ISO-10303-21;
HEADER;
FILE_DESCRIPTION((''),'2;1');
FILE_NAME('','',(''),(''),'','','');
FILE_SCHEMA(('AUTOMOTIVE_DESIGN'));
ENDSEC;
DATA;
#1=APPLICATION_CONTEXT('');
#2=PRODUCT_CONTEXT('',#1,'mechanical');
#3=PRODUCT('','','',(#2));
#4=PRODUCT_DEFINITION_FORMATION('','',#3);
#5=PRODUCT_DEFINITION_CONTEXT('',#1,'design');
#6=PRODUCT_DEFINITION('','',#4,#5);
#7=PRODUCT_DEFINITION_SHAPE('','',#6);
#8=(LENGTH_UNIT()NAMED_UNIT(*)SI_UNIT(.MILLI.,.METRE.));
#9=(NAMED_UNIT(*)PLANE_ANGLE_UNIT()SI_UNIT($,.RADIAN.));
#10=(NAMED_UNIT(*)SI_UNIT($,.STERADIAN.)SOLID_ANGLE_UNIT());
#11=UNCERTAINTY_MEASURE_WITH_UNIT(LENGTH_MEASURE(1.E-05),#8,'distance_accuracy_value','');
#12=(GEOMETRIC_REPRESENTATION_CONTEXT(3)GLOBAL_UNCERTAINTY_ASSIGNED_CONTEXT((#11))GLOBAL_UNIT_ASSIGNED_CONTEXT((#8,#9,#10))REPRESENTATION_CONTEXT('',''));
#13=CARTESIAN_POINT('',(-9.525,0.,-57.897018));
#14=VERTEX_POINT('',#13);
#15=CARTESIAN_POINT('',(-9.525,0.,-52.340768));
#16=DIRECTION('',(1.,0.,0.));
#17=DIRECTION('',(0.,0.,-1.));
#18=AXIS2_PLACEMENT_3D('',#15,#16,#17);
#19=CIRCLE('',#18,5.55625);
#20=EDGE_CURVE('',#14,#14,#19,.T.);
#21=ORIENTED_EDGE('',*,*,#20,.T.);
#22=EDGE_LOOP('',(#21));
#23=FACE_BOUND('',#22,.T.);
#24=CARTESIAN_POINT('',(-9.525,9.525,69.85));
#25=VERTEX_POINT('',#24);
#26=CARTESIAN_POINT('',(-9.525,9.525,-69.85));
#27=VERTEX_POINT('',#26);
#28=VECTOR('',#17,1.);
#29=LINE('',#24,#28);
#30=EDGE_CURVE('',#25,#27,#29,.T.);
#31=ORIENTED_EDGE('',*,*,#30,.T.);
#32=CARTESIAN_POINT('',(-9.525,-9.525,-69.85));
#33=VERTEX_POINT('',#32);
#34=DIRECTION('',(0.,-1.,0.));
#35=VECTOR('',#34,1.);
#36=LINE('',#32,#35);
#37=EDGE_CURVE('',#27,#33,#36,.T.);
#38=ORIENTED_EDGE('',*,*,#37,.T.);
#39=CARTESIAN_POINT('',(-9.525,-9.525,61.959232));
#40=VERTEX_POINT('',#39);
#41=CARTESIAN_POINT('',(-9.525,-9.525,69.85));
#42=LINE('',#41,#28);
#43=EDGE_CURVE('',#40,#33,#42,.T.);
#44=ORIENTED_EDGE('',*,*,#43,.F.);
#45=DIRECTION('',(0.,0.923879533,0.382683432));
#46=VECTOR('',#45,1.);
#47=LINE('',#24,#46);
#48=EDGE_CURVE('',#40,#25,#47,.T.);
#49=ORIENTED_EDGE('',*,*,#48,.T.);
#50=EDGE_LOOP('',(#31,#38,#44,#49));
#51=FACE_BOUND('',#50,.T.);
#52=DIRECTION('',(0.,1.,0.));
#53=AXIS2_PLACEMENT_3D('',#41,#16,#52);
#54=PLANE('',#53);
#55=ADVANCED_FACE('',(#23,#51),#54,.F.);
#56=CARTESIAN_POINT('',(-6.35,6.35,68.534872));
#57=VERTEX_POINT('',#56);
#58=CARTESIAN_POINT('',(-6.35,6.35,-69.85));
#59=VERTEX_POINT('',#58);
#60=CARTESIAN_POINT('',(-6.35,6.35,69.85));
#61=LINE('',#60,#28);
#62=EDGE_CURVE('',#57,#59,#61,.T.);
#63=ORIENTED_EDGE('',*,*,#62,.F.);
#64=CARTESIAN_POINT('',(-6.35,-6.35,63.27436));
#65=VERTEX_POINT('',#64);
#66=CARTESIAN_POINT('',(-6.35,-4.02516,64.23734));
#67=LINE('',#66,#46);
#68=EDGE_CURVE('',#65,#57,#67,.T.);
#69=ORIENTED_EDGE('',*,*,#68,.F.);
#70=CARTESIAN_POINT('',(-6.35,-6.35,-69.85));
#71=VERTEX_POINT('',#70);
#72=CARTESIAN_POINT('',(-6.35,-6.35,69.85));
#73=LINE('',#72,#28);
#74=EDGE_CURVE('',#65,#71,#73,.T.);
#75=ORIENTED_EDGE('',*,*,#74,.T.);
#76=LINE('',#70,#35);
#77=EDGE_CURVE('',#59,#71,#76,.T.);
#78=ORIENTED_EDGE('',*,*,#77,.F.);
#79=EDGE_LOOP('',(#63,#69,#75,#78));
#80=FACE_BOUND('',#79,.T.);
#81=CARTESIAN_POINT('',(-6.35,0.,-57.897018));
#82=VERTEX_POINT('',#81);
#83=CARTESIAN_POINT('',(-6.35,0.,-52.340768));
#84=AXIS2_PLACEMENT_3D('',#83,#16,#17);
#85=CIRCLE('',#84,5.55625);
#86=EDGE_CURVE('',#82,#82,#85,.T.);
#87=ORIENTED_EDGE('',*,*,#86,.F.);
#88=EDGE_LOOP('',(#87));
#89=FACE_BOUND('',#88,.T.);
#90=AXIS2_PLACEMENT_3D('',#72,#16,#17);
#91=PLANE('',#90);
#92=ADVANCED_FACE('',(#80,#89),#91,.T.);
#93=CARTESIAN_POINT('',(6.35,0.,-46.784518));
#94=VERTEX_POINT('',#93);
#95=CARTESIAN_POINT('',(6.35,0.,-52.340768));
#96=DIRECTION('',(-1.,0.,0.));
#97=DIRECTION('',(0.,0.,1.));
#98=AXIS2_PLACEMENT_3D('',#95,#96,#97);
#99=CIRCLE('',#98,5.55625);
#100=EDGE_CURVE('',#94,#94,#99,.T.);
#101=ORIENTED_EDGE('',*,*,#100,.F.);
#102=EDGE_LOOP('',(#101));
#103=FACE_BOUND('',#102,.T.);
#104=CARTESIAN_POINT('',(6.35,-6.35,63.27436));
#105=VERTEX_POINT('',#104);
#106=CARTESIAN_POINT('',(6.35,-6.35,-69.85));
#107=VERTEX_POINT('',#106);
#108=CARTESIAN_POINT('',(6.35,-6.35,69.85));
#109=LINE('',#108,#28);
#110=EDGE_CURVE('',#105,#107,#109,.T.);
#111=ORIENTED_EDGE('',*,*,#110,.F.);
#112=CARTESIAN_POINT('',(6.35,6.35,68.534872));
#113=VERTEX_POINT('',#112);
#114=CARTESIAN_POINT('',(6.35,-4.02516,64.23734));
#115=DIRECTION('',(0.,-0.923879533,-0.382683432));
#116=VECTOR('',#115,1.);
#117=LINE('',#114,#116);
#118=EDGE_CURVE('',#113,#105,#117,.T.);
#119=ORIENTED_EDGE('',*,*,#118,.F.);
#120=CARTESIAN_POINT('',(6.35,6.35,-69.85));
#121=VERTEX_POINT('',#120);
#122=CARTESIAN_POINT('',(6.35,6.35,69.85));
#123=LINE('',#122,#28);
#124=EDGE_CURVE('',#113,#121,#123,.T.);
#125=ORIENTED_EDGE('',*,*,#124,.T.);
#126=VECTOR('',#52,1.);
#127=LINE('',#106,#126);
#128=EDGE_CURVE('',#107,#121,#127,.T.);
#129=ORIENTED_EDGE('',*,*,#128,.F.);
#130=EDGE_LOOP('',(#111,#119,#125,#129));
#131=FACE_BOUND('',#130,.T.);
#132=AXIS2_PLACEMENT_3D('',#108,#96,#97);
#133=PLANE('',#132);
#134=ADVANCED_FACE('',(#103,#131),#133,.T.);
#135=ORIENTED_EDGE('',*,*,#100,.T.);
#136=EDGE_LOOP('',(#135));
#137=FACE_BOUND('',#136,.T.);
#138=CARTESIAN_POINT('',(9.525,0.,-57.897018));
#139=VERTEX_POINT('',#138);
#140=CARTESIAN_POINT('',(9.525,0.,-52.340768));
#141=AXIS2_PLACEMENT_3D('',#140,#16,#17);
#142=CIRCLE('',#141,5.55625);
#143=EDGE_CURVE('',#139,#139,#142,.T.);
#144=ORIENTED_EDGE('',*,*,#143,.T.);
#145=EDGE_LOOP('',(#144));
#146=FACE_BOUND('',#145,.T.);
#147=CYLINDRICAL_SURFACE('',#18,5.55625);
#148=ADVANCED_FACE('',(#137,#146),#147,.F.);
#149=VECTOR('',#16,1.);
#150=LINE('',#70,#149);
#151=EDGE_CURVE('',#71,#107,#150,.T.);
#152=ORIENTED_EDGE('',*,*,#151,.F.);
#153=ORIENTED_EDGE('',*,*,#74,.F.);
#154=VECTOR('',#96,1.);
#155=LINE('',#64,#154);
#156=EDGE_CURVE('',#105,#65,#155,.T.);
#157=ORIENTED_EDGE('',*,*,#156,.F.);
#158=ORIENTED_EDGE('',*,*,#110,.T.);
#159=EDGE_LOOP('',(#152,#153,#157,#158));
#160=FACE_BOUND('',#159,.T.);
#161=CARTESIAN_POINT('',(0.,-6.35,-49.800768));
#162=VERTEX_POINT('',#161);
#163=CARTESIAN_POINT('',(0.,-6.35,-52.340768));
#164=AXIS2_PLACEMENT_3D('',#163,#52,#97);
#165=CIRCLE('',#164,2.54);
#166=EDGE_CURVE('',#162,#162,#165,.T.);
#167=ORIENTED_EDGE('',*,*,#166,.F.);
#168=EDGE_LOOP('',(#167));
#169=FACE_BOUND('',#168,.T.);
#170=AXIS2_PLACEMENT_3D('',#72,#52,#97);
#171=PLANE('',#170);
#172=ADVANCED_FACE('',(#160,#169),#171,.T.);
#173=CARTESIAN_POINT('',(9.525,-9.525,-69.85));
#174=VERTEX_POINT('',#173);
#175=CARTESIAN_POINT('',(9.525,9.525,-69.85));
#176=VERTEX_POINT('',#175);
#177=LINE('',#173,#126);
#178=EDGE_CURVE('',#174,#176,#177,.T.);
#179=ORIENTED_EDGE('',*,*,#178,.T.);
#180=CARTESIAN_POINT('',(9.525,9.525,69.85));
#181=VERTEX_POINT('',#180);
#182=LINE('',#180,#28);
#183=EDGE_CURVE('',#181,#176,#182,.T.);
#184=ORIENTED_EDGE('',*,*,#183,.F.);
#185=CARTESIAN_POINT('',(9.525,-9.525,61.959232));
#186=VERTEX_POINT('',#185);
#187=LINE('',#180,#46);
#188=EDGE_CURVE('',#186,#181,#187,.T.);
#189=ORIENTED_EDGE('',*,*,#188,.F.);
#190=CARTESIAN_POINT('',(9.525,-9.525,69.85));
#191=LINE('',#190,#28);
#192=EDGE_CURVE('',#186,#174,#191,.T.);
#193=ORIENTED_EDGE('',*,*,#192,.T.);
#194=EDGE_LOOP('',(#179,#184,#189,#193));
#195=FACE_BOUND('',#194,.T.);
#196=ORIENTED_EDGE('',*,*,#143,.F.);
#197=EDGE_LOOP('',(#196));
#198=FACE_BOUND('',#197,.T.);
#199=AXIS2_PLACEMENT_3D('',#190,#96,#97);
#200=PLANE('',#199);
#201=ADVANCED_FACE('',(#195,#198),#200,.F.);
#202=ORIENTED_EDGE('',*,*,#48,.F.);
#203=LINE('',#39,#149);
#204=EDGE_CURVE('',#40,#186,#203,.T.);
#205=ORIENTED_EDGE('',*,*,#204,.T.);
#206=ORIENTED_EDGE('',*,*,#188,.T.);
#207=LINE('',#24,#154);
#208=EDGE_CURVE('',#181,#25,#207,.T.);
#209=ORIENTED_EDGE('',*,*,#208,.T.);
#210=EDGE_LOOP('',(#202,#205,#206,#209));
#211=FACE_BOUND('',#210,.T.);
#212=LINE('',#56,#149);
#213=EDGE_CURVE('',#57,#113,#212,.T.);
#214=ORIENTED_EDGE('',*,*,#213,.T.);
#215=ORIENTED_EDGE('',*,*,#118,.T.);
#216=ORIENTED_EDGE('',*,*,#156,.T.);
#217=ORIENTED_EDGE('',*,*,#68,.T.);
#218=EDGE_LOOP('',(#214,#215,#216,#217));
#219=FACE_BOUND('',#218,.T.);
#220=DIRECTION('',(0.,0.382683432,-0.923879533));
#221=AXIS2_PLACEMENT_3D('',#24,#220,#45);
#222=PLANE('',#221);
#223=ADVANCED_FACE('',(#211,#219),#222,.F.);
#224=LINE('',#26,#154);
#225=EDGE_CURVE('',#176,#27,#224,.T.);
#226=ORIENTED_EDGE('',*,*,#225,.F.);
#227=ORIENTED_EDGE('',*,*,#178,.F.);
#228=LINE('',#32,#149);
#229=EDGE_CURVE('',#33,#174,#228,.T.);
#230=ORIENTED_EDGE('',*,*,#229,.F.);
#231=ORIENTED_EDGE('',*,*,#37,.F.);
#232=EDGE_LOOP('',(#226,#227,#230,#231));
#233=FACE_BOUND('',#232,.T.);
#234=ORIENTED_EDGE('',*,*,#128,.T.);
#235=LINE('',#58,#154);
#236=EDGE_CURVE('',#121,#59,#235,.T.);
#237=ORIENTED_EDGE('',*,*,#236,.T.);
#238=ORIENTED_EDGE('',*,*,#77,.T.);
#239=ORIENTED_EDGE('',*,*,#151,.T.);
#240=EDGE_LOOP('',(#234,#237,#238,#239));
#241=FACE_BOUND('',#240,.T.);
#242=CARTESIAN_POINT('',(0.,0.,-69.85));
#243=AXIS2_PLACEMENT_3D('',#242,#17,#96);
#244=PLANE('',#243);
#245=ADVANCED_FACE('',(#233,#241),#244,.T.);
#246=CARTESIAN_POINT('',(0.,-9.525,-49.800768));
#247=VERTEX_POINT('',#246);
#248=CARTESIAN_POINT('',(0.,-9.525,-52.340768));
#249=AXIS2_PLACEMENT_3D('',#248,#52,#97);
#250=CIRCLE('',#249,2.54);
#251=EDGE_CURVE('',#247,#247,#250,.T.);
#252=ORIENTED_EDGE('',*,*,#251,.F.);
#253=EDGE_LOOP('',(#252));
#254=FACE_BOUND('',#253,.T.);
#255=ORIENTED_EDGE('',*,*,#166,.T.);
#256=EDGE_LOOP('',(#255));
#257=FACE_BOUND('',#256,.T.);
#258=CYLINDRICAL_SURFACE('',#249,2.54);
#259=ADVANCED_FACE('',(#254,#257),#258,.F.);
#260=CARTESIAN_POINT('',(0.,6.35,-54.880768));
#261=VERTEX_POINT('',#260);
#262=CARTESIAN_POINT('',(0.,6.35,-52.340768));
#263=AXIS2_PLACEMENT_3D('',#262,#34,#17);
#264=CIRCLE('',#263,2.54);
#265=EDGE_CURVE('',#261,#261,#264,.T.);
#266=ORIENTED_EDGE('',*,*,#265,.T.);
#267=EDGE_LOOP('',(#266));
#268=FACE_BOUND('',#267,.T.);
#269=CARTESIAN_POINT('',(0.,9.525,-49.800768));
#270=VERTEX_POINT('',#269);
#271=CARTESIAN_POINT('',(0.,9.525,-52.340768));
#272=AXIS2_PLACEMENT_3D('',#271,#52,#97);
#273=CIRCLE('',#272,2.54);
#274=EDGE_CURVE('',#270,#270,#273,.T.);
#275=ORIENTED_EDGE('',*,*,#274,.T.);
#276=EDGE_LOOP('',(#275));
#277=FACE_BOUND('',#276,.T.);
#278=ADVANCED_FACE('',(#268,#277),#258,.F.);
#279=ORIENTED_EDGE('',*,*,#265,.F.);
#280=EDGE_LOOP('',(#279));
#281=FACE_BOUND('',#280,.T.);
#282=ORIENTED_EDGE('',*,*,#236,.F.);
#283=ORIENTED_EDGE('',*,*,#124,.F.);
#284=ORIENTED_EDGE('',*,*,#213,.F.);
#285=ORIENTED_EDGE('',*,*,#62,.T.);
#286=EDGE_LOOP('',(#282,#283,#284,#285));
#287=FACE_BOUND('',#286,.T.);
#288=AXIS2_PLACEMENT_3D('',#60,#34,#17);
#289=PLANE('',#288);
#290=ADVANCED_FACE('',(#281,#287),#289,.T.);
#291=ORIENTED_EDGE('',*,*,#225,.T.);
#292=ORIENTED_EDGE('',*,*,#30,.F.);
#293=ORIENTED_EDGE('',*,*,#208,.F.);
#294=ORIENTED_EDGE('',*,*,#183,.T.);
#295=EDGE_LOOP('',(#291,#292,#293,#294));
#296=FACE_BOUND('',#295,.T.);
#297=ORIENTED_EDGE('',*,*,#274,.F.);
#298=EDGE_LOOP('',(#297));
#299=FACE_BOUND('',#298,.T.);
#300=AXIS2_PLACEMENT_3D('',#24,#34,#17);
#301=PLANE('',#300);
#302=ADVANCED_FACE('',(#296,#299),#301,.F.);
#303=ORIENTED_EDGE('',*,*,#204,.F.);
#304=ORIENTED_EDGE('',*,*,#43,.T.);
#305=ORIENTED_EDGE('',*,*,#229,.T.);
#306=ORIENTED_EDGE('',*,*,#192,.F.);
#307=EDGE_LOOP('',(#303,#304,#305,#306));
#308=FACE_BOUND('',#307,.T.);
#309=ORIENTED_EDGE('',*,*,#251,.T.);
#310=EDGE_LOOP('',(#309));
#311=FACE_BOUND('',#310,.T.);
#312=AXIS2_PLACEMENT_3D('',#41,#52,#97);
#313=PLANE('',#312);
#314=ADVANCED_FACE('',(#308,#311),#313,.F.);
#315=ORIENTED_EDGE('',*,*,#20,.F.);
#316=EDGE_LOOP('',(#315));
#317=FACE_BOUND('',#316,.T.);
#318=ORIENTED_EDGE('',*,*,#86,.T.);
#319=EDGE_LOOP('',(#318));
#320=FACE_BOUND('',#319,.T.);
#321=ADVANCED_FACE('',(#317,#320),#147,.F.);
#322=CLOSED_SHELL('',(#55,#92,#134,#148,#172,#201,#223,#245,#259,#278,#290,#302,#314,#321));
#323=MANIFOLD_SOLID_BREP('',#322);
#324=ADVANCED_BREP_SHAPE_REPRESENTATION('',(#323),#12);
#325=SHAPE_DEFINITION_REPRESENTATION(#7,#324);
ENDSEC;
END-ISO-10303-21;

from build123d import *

# Parameters (mm, degrees)
SKETCH1_W           = 19.05
SKETCH1_H           = 19.05
SKETCH1_W_2         = 12.7
SKETCH1_H_2         = 12.7
BOSS_EXTRUDE1_DEPTH = 69.85
CUT_EXTRUDE1_DEPTH  = 74.025
SKETCH3_R           = 5.55625
CUT_EXTRUDE2_DEPTH  = 74.025
SKETCH4_R           = 2.54
CUT_EXTRUDE3_DEPTH  = 74.025


with BuildPart() as part:
    # Sketch1 → Boss-Extrude1 (new, symmetric)
    with BuildSketch(Plane.XY):
        Rectangle(SKETCH1_W, SKETCH1_H)
        Rectangle(SKETCH1_W_2, SKETCH1_H_2, mode=Mode.SUBTRACT)
    extrude(amount=BOSS_EXTRUDE1_DEPTH, both=True)

    # Sketch2 → Cut-Extrude1 (cut, through all)
    with BuildSketch(Plane(origin=(9.525, 0, 0), x_dir=(0, 0, -1), z_dir=(1, 0, 0))):
        Polygon((-69.85, 9.525), (-61.959231637, -9.525), (-69.85, -9.525), align=None)
    extrude(amount=-CUT_EXTRUDE1_DEPTH, mode=Mode.SUBTRACT)

    # Sketch3 → Cut-Extrude2 (cut, through all)
    with BuildSketch(Plane(origin=(9.525, 0, 0), x_dir=(0, 0, -1), z_dir=(1, 0, 0))):
        with Locations((52.340768363, 0)):
            Circle(SKETCH3_R)
    extrude(amount=-CUT_EXTRUDE2_DEPTH, mode=Mode.SUBTRACT)

    # Sketch4 → Cut-Extrude3 (cut, through all)
    with BuildSketch(Plane(origin=(0, 9.525, 0), x_dir=(1, 0, 0), z_dir=(0, 1, 0))):
        with Locations(Location((0, 52.340768363, 0), (0, 0, 270))):
            Circle(SKETCH4_R)
    extrude(amount=-CUT_EXTRUDE3_DEPTH, mode=Mode.SUBTRACT)


solid = part.part
